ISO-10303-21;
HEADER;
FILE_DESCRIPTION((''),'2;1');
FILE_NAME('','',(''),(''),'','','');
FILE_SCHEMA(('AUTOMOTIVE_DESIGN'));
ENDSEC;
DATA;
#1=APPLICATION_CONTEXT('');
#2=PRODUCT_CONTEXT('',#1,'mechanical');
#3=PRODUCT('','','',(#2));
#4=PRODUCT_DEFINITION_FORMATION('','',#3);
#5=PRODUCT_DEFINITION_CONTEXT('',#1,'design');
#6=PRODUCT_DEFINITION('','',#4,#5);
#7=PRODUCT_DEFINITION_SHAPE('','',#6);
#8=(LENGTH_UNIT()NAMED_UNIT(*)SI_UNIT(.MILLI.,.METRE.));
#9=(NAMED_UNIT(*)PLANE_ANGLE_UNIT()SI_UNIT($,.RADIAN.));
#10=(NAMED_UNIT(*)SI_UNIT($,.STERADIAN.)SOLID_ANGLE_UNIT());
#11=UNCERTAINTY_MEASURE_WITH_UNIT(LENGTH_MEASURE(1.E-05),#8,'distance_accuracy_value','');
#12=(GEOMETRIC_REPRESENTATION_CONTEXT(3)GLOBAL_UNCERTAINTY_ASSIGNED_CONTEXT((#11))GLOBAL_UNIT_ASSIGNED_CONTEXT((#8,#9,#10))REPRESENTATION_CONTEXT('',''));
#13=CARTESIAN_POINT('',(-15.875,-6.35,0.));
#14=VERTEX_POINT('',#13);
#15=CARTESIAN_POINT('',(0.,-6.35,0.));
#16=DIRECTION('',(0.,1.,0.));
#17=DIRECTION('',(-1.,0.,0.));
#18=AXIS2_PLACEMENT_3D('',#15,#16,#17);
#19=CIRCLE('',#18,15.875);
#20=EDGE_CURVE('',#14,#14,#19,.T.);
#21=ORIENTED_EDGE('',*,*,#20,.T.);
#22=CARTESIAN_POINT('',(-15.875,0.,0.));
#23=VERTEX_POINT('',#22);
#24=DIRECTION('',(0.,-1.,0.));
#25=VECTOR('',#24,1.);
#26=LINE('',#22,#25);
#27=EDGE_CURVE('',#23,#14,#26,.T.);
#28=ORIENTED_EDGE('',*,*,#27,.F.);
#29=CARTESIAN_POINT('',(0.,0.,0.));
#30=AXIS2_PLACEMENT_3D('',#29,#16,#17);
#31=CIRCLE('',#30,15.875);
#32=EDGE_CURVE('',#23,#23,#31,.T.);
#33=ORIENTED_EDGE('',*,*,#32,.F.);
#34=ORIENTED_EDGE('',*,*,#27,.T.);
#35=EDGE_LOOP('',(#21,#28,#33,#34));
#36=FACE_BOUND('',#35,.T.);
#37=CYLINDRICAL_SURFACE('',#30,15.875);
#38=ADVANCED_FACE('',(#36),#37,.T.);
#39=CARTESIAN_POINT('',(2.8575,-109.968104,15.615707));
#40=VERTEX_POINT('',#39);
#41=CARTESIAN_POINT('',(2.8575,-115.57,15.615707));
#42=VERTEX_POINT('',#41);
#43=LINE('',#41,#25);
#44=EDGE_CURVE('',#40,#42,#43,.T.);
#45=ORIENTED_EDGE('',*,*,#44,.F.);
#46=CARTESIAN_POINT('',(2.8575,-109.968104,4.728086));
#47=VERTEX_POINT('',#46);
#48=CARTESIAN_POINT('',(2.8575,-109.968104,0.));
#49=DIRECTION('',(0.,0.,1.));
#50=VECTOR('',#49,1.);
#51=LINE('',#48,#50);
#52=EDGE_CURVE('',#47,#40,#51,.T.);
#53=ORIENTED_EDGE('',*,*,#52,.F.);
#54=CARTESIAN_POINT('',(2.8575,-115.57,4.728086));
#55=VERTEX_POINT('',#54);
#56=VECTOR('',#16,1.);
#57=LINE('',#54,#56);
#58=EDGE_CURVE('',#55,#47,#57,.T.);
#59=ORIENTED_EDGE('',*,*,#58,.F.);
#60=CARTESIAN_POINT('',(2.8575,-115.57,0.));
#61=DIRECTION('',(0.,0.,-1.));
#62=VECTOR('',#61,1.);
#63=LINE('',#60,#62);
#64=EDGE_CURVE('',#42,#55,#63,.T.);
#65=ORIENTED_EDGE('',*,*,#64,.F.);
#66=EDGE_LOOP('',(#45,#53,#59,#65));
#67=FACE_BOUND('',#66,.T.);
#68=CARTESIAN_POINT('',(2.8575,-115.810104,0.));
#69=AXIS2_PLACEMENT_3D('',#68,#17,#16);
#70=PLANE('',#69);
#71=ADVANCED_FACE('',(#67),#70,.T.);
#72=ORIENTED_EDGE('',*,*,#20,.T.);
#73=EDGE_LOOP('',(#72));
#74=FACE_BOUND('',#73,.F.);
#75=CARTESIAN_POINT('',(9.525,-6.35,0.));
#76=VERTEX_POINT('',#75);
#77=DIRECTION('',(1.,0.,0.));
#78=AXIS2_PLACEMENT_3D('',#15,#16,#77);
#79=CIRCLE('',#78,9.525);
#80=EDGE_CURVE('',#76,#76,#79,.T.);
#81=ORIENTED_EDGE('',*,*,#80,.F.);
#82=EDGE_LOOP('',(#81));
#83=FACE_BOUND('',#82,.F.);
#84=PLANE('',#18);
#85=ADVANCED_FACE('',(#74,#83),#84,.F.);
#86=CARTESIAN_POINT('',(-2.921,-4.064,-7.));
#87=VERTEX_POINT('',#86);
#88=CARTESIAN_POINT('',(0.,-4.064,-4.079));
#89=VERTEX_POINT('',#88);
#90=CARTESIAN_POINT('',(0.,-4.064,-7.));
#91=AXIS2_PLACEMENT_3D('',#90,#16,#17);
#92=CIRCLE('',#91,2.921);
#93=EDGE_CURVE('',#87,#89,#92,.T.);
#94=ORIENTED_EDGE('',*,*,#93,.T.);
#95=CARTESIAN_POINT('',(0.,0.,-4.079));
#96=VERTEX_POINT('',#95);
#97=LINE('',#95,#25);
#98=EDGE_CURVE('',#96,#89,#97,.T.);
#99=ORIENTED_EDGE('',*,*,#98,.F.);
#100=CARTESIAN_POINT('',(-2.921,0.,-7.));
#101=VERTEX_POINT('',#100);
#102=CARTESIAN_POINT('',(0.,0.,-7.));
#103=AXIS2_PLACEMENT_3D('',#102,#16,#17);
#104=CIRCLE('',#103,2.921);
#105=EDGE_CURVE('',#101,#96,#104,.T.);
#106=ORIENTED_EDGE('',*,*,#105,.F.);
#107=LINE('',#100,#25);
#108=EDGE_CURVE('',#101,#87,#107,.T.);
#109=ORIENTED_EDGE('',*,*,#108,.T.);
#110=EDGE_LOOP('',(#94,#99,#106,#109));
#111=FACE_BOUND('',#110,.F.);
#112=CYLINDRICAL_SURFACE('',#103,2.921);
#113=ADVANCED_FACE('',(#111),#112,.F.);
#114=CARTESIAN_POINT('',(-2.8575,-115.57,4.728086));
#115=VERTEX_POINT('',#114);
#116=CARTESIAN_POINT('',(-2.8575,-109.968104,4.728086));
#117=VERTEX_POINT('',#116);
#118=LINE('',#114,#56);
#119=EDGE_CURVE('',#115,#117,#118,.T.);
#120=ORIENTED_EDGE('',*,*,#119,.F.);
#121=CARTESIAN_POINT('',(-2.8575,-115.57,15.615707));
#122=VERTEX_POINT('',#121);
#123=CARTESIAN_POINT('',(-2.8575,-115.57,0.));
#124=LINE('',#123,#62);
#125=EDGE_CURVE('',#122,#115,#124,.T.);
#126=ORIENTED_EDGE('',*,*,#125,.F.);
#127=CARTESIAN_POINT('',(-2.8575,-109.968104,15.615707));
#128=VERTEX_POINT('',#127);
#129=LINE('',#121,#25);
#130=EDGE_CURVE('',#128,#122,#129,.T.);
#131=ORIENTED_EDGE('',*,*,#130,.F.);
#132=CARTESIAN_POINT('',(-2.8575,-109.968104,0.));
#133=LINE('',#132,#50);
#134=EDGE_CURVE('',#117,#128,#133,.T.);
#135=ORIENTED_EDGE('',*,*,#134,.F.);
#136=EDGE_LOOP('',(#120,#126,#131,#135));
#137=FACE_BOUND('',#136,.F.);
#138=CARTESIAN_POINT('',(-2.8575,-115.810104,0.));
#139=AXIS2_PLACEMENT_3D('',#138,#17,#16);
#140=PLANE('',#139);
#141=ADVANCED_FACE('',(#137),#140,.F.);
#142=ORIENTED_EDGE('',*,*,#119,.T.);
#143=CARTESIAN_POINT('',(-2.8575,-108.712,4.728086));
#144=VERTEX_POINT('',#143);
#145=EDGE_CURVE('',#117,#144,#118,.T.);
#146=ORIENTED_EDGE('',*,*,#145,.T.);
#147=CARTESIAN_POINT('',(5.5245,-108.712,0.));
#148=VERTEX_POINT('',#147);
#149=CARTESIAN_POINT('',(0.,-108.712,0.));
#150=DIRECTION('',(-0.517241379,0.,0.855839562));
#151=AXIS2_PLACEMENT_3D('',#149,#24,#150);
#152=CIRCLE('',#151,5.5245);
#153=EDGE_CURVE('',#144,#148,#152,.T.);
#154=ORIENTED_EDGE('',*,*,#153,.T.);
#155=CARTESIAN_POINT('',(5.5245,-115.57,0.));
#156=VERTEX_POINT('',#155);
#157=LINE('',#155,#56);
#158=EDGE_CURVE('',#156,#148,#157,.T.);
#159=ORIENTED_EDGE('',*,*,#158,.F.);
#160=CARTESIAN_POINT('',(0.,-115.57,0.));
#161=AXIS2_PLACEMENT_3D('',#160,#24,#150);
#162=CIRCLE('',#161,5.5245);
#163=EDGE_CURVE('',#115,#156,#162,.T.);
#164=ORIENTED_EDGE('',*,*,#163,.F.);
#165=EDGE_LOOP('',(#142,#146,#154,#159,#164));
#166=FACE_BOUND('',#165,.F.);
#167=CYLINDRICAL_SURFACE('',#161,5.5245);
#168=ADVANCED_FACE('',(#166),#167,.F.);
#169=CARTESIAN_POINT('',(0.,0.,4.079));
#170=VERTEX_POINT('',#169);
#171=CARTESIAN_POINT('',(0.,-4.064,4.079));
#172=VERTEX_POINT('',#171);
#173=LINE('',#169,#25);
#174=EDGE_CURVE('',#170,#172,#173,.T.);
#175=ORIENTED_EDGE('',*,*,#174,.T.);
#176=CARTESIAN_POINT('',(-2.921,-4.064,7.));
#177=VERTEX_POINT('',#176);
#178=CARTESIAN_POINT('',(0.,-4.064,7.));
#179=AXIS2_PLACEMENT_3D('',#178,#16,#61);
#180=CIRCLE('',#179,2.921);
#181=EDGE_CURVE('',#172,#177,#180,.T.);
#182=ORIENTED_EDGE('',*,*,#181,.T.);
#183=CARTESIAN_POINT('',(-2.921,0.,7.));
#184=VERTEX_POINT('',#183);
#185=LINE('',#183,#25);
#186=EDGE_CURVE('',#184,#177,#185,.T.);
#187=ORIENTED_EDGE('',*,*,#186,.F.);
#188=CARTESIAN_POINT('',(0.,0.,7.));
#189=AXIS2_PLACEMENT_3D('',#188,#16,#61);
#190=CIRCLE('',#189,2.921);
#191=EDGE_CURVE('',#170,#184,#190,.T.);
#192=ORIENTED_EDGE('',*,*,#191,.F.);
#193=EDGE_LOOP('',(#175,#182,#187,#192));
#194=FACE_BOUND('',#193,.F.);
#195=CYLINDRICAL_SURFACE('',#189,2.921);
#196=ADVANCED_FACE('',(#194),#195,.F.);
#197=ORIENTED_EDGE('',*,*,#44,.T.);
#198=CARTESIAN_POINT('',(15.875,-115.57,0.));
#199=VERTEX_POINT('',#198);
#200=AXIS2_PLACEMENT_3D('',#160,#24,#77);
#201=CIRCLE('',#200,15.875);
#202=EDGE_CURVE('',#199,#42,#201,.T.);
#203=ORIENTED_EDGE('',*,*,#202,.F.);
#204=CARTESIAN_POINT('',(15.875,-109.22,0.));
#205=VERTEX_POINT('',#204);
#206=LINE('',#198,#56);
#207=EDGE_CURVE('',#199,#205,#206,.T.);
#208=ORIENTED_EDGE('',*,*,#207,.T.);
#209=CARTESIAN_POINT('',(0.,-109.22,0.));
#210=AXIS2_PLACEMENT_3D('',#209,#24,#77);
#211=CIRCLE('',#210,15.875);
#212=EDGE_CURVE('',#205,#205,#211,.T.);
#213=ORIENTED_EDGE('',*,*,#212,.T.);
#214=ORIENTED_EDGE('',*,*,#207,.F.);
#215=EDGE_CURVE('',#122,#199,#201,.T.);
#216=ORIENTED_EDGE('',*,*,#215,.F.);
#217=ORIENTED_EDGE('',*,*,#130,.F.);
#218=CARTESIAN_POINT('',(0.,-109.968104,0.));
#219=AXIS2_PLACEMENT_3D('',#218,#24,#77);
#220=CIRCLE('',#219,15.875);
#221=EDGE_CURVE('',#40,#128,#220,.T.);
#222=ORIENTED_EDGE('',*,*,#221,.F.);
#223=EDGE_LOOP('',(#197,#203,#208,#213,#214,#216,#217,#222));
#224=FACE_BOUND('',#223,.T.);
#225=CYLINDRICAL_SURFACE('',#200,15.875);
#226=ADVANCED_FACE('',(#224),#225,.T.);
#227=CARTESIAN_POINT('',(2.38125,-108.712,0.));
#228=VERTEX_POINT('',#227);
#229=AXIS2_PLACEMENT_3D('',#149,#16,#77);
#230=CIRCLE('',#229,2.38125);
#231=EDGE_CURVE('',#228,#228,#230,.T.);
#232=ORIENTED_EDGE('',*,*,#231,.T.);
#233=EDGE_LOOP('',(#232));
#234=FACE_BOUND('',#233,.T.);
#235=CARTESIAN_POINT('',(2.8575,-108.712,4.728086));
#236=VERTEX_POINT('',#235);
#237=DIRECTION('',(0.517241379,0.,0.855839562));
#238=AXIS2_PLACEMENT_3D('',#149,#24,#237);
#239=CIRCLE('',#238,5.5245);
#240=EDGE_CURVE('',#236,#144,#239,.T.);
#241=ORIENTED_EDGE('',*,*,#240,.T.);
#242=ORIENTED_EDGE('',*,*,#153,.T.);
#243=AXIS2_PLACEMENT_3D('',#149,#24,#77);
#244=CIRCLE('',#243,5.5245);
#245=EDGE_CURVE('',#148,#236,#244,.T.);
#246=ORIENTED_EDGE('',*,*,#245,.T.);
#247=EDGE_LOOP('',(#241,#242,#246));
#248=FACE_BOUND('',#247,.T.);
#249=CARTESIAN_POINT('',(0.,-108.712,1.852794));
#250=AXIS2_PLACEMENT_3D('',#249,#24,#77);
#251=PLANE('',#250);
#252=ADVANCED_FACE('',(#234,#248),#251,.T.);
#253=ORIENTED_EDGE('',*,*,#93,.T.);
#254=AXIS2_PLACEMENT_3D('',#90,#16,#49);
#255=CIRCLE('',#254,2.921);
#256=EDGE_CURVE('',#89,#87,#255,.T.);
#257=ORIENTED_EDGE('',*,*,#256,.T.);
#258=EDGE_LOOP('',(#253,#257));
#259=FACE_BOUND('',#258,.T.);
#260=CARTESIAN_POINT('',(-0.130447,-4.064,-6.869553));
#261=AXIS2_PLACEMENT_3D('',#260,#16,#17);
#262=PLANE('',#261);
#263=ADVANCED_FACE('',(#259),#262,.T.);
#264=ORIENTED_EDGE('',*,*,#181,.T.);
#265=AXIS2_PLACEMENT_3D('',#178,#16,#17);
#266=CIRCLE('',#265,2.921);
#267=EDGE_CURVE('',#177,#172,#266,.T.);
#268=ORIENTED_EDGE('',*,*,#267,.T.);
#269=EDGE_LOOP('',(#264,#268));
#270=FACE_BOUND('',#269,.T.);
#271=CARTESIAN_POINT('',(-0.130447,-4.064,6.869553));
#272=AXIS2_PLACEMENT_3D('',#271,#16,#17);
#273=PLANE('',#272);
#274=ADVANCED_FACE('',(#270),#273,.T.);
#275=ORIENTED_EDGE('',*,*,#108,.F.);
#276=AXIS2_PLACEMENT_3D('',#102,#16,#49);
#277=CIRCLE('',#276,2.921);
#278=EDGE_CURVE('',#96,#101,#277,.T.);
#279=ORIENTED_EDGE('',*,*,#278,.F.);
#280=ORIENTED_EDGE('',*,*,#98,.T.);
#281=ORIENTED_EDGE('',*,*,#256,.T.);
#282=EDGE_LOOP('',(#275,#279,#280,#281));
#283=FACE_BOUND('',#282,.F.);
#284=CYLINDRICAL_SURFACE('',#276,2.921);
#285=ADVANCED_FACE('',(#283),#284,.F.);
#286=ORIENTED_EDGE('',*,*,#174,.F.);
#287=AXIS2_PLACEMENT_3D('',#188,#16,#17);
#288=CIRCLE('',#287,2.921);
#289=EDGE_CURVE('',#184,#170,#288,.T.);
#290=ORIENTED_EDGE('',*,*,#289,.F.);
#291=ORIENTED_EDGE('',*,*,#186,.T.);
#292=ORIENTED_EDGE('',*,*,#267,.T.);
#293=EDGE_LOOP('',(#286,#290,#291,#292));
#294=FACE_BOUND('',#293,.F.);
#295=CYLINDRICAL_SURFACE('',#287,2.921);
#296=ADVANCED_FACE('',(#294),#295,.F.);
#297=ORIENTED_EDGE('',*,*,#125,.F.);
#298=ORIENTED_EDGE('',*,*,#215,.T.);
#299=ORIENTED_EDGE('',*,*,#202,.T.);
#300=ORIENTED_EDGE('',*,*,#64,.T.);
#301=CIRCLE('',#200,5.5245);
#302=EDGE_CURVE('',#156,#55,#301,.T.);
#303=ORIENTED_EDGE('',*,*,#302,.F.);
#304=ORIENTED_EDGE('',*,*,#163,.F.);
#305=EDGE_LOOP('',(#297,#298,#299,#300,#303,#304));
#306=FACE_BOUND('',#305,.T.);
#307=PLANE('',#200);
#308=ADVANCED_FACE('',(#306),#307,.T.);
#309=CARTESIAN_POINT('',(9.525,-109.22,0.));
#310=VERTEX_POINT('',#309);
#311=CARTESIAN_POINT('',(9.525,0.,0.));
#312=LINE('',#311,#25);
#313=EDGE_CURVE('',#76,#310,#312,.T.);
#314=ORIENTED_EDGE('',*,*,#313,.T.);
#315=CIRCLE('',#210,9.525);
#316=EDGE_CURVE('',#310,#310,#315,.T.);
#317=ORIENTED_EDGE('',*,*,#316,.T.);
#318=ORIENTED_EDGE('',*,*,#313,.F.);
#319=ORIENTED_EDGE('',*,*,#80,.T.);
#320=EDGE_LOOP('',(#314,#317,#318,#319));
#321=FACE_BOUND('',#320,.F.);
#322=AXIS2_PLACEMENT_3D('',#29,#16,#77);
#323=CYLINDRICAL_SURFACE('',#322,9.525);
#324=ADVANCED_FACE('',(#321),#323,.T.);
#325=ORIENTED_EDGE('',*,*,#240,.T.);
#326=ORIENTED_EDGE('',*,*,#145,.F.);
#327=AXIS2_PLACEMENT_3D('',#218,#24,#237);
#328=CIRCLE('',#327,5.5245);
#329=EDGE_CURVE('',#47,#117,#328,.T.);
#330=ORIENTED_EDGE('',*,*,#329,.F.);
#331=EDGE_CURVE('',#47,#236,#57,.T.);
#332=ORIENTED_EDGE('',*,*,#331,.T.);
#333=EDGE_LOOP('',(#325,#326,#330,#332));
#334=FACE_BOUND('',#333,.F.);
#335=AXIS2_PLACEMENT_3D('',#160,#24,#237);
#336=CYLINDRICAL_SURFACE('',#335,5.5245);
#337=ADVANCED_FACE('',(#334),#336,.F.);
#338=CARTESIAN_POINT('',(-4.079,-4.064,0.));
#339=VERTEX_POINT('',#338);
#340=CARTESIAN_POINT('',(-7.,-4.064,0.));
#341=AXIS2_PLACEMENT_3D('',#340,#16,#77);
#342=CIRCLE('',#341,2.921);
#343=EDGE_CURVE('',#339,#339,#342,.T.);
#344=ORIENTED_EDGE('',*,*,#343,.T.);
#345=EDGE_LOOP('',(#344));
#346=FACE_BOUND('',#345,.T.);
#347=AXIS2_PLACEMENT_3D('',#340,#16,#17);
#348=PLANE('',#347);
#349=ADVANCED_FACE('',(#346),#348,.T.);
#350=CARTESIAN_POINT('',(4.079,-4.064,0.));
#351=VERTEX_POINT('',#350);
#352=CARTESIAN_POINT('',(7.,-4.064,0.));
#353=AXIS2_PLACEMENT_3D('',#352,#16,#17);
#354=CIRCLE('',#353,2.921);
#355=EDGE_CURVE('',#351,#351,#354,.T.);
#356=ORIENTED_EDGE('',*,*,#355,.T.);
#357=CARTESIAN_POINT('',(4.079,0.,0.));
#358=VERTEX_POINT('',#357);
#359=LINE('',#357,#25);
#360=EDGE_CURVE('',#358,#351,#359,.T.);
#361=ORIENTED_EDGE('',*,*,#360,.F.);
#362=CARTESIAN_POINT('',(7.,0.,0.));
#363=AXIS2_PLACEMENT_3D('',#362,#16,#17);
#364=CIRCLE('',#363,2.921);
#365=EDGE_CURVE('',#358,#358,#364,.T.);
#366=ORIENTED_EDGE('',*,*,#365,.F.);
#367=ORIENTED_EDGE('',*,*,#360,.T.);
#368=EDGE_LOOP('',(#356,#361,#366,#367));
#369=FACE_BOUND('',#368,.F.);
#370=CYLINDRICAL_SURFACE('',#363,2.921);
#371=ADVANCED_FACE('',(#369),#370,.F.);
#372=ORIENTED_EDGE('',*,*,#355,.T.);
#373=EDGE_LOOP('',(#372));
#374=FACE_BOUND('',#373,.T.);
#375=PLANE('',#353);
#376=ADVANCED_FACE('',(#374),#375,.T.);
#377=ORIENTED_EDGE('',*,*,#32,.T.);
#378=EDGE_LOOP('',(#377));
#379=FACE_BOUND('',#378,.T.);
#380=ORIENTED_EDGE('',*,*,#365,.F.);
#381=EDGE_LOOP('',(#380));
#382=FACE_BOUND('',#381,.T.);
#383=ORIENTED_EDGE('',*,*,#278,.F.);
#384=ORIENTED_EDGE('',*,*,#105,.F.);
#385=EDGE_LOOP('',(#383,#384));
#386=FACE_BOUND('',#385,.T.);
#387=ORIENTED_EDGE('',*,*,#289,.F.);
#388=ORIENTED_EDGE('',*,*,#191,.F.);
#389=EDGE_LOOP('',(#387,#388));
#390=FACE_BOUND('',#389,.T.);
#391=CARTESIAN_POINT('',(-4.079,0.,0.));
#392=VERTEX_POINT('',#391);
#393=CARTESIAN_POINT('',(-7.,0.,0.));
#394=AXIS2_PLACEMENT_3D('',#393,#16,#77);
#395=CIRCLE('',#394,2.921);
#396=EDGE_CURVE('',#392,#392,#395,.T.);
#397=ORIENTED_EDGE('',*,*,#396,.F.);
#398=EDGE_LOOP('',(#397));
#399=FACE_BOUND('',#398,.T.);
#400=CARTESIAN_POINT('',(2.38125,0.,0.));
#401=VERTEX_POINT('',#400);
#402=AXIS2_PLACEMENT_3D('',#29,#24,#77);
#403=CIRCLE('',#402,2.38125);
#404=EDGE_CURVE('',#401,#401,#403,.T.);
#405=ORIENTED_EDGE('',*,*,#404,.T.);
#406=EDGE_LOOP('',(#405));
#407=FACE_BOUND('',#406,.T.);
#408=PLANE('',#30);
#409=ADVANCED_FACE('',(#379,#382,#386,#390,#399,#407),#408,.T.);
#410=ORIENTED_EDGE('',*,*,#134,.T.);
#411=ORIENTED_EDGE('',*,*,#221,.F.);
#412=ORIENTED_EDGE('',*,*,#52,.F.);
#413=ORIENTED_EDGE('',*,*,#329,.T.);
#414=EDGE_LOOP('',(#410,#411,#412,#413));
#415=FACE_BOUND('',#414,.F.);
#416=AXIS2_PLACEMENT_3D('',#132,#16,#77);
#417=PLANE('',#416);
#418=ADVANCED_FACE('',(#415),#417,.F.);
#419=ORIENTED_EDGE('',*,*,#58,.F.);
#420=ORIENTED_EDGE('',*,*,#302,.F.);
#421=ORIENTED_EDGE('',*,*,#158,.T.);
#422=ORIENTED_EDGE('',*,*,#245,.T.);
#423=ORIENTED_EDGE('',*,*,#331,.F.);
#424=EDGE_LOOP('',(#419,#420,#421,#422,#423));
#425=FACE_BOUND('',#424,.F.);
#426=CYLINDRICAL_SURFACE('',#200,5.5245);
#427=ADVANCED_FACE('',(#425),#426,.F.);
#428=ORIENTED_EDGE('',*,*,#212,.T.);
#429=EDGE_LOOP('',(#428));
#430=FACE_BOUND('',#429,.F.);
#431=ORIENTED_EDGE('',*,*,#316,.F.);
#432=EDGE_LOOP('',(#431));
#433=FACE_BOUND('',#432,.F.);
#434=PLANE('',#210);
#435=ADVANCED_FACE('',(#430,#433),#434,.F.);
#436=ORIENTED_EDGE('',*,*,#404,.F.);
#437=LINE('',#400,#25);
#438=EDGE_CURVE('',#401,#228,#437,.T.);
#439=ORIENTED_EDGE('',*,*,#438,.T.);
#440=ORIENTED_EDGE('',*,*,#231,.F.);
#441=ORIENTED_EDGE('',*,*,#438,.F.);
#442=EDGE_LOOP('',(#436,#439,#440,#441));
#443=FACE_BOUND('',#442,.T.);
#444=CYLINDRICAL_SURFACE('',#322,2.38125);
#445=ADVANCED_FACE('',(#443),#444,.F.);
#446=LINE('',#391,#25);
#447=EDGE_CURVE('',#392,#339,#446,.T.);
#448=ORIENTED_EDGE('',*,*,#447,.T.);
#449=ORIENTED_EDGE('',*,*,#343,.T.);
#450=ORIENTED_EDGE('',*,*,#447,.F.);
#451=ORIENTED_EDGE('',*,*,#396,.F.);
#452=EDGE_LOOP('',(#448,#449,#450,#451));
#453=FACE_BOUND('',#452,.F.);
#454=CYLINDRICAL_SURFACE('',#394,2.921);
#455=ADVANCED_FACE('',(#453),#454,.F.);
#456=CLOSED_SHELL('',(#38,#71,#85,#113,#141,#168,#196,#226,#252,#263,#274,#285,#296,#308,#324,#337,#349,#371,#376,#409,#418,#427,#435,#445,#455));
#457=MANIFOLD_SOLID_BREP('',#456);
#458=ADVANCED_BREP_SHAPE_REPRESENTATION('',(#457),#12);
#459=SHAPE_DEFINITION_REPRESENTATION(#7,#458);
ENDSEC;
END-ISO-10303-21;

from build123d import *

# Parameters (mm, degrees)
F0_R      = 9.525
F0_R_2    = 2.38125
F1_DEPTH  = 115.57
F2_R      = 15.875
F2_R_2    = 9.525
F3_DEPTH  = 6.35
F4_R      = 2.921
F5_DEPTH  = 4.064
F6_R      = 15.875
F6_R_2    = 9.525
F7_DEPTH  = 6.35
F8_W      = 5.715
F8_H      = 5.842
F9_DEPTH  = 34.4932
F11_DEPTH = 6.858


with BuildPart() as f1:
    # F0 (on Front) → F1 (new body)
    with BuildSketch(Plane.XZ):
        Circle(F0_R)
        Circle(F0_R_2, mode=Mode.SUBTRACT)
    extrude(amount=F1_DEPTH)

    # F2 (on face) → F3 (join)
    with BuildSketch(Plane(origin=(0, 0, 0), x_dir=(-1, 0, 0), z_dir=(0, 1, 0))):
        Circle(F2_R)
        Circle(F2_R_2, mode=Mode.SUBTRACT)
    extrude(amount=-F3_DEPTH)

    # F4 (on face) → F5 (cut)
    with BuildSketch(Plane(origin=(0, 0, 0), x_dir=(-1, 0, 0), z_dir=(0, 1, 0))):
        with BuildLine():
            ThreePointArc((2.921, 7), (-2.0654589078, 9.0654589078), (0, 4.079))
            ThreePointArc((0, 4.079), (2.0654589078, 4.9345410922), (2.921, 7))
        make_face()
        with Locations((-7, 0)):
            Circle(F4_R)
        with BuildLine():
            ThreePointArc((2.921, -7), (2.0654589078, -4.9345410922), (0, -4.079))
            ThreePointArc((0, -4.079), (-2.0654589078, -9.0654589078), (2.921, -7))
        make_face()
        with BuildLine():
            ThreePointArc((9.921, 0), (7, 2.921), (4.079, 0))
            ThreePointArc((4.079, 0), (7, -2.921), (9.921, 0))
        make_face()
    extrude(amount=-F5_DEPTH, mode=Mode.SUBTRACT)

    # F6 (on face) → F7 (join)
    with BuildSketch(Plane.XZ.offset(115.57)):
        Circle(F6_R)
        Circle(F6_R_2, mode=Mode.SUBTRACT)
    extrude(amount=-F7_DEPTH)

    # F8 (on Top) → F9 (cut)
    with BuildSketch(Plane.XY):
        with Locations((0, -112.8891035914)):
            Rectangle(F8_W, F8_H)
    extrude(amount=F9_DEPTH, mode=Mode.SUBTRACT)

    # F10 (on face) → F11 (cut)
    with BuildSketch(Plane.XZ.offset(115.57)):
        with BuildLine():
            Line((2.8575, 0), (2.8575, 4.7280856591))
            ThreePointArc((2.8575, 4.7280856591), (0, 5.5245), (-2.8575, 4.7280856591))
            Line((-2.8575, 4.7280856591), (-2.8575, 0))
            Line((-2.8575, 0), (-2.38125, 0))
            ThreePointArc((-2.38125, 0), (0, -2.38125), (2.38125, 0))
            Line((2.38125, 0), (2.8575, 0))
        make_face()
        with BuildLine():
            ThreePointArc((-2.8575, 4.7280856591), (-2.7142072047, -4.8117750883), (5.5245, 0))
            ThreePointArc((5.5245, 0), (4.8117750883, 2.7142072047), (2.8575, 4.7280856591))
            Line((2.8575, 4.7280856591), (2.8575, 0))
            Line((2.8575, 0), (2.38125, 0))
            ThreePointArc((2.38125, 0), (0, -2.38125), (-2.38125, 0))
            Line((-2.38125, 0), (-2.8575, 0))
            Line((-2.8575, 0), (-2.8575, 4.7280856591))
        make_face()
    extrude(amount=-F11_DEPTH, mode=Mode.SUBTRACT)


solid = f1.part
